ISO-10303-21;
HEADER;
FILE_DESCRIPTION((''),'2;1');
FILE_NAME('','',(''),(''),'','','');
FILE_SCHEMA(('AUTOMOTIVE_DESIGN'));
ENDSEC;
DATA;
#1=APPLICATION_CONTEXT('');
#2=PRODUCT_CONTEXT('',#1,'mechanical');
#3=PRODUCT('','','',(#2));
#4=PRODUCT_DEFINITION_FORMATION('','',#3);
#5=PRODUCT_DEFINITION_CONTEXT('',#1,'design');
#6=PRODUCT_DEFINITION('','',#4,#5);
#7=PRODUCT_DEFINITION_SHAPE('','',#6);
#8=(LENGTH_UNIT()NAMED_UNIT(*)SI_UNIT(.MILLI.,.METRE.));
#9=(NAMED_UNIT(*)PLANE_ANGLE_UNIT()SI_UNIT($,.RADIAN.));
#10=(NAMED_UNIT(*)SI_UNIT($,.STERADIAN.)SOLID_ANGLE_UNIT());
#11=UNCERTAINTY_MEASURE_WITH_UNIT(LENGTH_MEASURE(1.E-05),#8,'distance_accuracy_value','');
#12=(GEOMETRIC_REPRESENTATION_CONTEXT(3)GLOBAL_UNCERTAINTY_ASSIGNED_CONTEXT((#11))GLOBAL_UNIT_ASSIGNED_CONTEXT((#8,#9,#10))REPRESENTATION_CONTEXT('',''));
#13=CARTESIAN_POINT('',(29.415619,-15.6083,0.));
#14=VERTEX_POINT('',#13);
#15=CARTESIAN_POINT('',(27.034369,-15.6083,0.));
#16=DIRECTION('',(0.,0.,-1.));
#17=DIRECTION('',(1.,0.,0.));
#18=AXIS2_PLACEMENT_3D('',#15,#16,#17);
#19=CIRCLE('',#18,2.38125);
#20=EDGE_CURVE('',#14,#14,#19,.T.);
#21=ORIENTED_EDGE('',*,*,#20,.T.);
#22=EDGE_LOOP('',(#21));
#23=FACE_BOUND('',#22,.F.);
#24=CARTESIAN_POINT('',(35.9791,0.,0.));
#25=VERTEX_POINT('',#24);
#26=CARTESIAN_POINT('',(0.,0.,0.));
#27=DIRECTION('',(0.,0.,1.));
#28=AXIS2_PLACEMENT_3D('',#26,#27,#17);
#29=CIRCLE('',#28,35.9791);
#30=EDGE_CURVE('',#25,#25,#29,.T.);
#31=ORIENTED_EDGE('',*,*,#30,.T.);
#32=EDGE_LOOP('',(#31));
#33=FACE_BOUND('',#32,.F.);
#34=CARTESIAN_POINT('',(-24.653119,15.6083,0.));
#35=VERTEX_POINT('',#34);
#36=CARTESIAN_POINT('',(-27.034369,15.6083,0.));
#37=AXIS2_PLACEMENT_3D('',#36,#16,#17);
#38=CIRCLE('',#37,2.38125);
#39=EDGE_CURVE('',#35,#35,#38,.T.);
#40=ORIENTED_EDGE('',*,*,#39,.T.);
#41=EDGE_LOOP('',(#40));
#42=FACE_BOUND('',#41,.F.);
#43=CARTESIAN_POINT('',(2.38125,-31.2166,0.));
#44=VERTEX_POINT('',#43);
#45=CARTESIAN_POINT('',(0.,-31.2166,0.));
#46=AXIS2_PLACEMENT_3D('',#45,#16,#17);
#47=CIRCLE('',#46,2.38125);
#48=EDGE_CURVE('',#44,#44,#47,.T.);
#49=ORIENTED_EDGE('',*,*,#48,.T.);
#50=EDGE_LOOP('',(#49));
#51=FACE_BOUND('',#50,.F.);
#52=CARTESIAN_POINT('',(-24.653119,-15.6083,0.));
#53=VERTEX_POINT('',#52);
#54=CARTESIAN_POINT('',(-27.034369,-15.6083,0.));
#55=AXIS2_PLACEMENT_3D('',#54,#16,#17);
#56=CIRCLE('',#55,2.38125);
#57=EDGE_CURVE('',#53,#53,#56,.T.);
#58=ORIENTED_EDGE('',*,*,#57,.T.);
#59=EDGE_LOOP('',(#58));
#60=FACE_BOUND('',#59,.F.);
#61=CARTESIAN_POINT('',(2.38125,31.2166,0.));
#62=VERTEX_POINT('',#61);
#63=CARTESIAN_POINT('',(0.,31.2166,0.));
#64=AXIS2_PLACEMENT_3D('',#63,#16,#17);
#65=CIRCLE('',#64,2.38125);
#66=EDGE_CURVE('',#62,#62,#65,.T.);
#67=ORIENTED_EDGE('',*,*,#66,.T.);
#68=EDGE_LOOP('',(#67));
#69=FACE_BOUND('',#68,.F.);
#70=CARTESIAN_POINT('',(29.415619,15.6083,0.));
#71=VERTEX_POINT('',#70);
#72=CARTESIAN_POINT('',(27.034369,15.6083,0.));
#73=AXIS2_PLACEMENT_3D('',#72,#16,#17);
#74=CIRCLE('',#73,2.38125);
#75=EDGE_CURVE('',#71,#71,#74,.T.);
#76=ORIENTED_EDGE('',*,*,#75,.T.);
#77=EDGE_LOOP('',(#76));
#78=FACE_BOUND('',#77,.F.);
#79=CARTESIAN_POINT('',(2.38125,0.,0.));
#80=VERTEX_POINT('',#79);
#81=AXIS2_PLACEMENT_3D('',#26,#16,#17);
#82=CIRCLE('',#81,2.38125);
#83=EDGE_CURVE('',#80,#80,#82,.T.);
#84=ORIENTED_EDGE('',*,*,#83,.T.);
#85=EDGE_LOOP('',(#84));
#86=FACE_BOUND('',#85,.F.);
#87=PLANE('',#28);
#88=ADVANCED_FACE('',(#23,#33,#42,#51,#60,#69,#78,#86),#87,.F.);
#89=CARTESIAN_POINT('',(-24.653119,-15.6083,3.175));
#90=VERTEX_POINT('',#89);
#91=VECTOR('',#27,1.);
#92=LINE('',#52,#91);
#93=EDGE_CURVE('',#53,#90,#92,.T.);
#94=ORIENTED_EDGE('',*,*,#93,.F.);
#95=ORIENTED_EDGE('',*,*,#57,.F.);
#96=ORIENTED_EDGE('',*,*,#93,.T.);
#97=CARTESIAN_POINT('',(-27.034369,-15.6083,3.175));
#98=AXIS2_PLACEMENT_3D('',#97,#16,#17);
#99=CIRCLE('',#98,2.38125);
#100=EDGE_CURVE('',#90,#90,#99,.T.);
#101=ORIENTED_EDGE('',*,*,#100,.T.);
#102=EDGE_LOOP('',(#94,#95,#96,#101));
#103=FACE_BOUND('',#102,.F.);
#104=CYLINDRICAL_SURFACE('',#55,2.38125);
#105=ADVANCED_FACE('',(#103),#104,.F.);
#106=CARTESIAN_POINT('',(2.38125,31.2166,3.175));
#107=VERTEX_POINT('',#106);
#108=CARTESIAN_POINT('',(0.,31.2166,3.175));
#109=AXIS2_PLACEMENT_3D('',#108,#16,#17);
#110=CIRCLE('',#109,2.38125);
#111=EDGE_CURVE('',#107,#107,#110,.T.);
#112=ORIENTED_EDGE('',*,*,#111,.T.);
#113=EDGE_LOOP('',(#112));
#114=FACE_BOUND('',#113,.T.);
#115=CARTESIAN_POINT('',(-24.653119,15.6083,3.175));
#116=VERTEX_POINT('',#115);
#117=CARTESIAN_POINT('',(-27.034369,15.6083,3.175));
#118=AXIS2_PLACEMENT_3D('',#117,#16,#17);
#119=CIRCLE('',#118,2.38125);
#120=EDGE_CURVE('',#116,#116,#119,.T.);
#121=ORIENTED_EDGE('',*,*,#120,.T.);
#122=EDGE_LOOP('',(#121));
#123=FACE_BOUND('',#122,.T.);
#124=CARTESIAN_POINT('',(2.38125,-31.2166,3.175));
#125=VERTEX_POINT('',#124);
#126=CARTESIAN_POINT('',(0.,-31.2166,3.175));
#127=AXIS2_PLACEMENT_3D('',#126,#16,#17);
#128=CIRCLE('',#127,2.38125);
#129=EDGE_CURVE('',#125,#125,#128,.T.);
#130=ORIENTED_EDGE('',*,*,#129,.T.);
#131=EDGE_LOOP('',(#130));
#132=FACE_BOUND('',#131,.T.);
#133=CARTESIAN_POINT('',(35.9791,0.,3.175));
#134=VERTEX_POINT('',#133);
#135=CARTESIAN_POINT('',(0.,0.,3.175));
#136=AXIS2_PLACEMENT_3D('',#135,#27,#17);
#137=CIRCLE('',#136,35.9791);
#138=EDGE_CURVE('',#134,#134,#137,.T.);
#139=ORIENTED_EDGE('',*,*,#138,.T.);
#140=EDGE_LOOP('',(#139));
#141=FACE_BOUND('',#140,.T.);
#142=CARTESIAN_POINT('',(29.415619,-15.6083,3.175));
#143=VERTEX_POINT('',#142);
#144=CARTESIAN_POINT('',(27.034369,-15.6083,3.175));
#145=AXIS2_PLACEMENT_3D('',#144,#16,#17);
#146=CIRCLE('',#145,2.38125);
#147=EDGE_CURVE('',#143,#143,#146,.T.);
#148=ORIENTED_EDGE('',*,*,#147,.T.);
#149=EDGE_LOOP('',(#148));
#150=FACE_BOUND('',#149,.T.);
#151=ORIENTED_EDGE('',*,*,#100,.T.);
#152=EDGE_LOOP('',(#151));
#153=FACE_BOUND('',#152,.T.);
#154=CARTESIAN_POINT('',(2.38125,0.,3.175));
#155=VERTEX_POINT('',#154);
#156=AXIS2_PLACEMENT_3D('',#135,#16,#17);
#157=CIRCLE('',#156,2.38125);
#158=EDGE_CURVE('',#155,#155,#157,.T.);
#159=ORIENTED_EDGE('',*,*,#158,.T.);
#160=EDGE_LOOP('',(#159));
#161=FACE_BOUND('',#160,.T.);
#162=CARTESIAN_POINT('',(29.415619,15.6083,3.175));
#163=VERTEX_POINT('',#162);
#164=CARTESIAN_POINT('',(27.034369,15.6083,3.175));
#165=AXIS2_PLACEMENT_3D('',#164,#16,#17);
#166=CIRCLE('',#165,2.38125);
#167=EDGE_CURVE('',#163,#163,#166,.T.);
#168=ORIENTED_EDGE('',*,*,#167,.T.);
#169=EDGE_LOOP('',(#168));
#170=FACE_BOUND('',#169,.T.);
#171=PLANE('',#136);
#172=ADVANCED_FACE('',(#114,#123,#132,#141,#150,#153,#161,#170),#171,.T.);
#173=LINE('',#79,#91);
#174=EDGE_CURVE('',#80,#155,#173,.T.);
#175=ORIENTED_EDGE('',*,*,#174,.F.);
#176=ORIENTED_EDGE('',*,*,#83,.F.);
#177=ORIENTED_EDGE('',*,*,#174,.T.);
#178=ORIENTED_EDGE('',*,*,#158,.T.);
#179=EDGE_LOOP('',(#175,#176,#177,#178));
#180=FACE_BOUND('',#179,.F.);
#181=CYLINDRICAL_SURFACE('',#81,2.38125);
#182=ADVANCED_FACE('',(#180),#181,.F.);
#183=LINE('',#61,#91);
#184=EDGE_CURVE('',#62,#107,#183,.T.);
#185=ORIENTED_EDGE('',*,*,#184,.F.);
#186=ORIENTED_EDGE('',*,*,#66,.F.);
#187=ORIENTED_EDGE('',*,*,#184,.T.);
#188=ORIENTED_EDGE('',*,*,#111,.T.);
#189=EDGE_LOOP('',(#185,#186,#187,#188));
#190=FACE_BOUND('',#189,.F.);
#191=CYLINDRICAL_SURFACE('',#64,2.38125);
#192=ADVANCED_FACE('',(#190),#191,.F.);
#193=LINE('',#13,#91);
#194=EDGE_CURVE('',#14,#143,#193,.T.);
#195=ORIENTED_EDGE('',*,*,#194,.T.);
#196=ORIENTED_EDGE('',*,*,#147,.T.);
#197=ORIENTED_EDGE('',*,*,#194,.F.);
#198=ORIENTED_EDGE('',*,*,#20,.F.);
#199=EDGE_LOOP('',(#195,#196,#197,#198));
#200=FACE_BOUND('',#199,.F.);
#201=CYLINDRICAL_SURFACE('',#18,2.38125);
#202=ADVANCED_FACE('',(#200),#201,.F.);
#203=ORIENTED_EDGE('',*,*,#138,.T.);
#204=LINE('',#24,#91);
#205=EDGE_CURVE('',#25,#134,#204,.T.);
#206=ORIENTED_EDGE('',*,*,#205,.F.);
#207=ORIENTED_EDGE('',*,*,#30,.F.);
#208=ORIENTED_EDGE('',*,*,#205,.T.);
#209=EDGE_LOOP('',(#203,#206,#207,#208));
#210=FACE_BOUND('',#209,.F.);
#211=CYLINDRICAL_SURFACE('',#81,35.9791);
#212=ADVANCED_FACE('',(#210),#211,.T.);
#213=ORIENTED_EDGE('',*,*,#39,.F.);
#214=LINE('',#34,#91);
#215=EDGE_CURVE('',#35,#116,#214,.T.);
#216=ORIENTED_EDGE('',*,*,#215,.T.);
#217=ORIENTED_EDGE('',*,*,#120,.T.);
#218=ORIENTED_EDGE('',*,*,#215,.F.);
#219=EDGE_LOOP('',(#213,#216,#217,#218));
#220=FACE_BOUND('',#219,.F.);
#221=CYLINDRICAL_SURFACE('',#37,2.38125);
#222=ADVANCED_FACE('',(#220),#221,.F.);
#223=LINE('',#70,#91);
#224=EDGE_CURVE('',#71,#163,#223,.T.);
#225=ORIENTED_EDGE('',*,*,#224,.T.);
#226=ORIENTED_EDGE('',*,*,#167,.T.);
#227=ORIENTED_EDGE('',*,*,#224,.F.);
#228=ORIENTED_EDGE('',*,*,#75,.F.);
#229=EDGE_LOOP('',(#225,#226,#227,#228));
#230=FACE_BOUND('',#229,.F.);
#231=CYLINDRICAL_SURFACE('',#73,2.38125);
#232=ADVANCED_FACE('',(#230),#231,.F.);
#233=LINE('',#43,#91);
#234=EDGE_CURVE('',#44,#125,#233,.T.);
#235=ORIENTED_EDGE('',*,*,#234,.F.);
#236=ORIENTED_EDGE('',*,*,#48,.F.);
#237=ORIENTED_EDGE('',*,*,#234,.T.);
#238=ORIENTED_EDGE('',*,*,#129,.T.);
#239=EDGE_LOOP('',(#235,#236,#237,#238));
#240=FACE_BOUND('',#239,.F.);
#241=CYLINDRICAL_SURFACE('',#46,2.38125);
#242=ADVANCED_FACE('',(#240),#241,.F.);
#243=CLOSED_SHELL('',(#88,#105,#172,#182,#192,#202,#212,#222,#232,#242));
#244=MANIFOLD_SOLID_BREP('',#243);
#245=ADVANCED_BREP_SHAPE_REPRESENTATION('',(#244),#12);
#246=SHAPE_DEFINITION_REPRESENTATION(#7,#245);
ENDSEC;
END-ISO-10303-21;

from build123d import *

# Parameters (mm, degrees)
F0_R     = 35.9791
F1_DEPTH = 3.175
F2_R     = 2.38125
F3_DEPTH = 12.7


with BuildPart() as f1:
    # F0 (on Top) → F1 (new body)
    with BuildSketch(Plane.XY):
        Circle(F0_R)
    extrude(amount=F1_DEPTH)

    # F2 (on face) → F3 (cut)
    with BuildSketch(Plane(origin=(0, 0, 0), x_dir=(1, 0, 0), z_dir=(0, 0, -1))):
        with Locations((-27.034369, -15.6083)):
            Circle(F2_R)
        with Locations((-27.034369, 15.6083)):
            Circle(F2_R)
        with Locations((0, 31.2166)):
            Circle(F2_R)
        with Locations((27.034369, 15.6083)):
            Circle(F2_R)
        with Locations((27.034369, -15.6083)):
            Circle(F2_R)
        with Locations((0, -31.2166)):
            Circle(F2_R)
        Circle(F2_R)
    extrude(amount=-F3_DEPTH, mode=Mode.SUBTRACT)


solid = f1.part
